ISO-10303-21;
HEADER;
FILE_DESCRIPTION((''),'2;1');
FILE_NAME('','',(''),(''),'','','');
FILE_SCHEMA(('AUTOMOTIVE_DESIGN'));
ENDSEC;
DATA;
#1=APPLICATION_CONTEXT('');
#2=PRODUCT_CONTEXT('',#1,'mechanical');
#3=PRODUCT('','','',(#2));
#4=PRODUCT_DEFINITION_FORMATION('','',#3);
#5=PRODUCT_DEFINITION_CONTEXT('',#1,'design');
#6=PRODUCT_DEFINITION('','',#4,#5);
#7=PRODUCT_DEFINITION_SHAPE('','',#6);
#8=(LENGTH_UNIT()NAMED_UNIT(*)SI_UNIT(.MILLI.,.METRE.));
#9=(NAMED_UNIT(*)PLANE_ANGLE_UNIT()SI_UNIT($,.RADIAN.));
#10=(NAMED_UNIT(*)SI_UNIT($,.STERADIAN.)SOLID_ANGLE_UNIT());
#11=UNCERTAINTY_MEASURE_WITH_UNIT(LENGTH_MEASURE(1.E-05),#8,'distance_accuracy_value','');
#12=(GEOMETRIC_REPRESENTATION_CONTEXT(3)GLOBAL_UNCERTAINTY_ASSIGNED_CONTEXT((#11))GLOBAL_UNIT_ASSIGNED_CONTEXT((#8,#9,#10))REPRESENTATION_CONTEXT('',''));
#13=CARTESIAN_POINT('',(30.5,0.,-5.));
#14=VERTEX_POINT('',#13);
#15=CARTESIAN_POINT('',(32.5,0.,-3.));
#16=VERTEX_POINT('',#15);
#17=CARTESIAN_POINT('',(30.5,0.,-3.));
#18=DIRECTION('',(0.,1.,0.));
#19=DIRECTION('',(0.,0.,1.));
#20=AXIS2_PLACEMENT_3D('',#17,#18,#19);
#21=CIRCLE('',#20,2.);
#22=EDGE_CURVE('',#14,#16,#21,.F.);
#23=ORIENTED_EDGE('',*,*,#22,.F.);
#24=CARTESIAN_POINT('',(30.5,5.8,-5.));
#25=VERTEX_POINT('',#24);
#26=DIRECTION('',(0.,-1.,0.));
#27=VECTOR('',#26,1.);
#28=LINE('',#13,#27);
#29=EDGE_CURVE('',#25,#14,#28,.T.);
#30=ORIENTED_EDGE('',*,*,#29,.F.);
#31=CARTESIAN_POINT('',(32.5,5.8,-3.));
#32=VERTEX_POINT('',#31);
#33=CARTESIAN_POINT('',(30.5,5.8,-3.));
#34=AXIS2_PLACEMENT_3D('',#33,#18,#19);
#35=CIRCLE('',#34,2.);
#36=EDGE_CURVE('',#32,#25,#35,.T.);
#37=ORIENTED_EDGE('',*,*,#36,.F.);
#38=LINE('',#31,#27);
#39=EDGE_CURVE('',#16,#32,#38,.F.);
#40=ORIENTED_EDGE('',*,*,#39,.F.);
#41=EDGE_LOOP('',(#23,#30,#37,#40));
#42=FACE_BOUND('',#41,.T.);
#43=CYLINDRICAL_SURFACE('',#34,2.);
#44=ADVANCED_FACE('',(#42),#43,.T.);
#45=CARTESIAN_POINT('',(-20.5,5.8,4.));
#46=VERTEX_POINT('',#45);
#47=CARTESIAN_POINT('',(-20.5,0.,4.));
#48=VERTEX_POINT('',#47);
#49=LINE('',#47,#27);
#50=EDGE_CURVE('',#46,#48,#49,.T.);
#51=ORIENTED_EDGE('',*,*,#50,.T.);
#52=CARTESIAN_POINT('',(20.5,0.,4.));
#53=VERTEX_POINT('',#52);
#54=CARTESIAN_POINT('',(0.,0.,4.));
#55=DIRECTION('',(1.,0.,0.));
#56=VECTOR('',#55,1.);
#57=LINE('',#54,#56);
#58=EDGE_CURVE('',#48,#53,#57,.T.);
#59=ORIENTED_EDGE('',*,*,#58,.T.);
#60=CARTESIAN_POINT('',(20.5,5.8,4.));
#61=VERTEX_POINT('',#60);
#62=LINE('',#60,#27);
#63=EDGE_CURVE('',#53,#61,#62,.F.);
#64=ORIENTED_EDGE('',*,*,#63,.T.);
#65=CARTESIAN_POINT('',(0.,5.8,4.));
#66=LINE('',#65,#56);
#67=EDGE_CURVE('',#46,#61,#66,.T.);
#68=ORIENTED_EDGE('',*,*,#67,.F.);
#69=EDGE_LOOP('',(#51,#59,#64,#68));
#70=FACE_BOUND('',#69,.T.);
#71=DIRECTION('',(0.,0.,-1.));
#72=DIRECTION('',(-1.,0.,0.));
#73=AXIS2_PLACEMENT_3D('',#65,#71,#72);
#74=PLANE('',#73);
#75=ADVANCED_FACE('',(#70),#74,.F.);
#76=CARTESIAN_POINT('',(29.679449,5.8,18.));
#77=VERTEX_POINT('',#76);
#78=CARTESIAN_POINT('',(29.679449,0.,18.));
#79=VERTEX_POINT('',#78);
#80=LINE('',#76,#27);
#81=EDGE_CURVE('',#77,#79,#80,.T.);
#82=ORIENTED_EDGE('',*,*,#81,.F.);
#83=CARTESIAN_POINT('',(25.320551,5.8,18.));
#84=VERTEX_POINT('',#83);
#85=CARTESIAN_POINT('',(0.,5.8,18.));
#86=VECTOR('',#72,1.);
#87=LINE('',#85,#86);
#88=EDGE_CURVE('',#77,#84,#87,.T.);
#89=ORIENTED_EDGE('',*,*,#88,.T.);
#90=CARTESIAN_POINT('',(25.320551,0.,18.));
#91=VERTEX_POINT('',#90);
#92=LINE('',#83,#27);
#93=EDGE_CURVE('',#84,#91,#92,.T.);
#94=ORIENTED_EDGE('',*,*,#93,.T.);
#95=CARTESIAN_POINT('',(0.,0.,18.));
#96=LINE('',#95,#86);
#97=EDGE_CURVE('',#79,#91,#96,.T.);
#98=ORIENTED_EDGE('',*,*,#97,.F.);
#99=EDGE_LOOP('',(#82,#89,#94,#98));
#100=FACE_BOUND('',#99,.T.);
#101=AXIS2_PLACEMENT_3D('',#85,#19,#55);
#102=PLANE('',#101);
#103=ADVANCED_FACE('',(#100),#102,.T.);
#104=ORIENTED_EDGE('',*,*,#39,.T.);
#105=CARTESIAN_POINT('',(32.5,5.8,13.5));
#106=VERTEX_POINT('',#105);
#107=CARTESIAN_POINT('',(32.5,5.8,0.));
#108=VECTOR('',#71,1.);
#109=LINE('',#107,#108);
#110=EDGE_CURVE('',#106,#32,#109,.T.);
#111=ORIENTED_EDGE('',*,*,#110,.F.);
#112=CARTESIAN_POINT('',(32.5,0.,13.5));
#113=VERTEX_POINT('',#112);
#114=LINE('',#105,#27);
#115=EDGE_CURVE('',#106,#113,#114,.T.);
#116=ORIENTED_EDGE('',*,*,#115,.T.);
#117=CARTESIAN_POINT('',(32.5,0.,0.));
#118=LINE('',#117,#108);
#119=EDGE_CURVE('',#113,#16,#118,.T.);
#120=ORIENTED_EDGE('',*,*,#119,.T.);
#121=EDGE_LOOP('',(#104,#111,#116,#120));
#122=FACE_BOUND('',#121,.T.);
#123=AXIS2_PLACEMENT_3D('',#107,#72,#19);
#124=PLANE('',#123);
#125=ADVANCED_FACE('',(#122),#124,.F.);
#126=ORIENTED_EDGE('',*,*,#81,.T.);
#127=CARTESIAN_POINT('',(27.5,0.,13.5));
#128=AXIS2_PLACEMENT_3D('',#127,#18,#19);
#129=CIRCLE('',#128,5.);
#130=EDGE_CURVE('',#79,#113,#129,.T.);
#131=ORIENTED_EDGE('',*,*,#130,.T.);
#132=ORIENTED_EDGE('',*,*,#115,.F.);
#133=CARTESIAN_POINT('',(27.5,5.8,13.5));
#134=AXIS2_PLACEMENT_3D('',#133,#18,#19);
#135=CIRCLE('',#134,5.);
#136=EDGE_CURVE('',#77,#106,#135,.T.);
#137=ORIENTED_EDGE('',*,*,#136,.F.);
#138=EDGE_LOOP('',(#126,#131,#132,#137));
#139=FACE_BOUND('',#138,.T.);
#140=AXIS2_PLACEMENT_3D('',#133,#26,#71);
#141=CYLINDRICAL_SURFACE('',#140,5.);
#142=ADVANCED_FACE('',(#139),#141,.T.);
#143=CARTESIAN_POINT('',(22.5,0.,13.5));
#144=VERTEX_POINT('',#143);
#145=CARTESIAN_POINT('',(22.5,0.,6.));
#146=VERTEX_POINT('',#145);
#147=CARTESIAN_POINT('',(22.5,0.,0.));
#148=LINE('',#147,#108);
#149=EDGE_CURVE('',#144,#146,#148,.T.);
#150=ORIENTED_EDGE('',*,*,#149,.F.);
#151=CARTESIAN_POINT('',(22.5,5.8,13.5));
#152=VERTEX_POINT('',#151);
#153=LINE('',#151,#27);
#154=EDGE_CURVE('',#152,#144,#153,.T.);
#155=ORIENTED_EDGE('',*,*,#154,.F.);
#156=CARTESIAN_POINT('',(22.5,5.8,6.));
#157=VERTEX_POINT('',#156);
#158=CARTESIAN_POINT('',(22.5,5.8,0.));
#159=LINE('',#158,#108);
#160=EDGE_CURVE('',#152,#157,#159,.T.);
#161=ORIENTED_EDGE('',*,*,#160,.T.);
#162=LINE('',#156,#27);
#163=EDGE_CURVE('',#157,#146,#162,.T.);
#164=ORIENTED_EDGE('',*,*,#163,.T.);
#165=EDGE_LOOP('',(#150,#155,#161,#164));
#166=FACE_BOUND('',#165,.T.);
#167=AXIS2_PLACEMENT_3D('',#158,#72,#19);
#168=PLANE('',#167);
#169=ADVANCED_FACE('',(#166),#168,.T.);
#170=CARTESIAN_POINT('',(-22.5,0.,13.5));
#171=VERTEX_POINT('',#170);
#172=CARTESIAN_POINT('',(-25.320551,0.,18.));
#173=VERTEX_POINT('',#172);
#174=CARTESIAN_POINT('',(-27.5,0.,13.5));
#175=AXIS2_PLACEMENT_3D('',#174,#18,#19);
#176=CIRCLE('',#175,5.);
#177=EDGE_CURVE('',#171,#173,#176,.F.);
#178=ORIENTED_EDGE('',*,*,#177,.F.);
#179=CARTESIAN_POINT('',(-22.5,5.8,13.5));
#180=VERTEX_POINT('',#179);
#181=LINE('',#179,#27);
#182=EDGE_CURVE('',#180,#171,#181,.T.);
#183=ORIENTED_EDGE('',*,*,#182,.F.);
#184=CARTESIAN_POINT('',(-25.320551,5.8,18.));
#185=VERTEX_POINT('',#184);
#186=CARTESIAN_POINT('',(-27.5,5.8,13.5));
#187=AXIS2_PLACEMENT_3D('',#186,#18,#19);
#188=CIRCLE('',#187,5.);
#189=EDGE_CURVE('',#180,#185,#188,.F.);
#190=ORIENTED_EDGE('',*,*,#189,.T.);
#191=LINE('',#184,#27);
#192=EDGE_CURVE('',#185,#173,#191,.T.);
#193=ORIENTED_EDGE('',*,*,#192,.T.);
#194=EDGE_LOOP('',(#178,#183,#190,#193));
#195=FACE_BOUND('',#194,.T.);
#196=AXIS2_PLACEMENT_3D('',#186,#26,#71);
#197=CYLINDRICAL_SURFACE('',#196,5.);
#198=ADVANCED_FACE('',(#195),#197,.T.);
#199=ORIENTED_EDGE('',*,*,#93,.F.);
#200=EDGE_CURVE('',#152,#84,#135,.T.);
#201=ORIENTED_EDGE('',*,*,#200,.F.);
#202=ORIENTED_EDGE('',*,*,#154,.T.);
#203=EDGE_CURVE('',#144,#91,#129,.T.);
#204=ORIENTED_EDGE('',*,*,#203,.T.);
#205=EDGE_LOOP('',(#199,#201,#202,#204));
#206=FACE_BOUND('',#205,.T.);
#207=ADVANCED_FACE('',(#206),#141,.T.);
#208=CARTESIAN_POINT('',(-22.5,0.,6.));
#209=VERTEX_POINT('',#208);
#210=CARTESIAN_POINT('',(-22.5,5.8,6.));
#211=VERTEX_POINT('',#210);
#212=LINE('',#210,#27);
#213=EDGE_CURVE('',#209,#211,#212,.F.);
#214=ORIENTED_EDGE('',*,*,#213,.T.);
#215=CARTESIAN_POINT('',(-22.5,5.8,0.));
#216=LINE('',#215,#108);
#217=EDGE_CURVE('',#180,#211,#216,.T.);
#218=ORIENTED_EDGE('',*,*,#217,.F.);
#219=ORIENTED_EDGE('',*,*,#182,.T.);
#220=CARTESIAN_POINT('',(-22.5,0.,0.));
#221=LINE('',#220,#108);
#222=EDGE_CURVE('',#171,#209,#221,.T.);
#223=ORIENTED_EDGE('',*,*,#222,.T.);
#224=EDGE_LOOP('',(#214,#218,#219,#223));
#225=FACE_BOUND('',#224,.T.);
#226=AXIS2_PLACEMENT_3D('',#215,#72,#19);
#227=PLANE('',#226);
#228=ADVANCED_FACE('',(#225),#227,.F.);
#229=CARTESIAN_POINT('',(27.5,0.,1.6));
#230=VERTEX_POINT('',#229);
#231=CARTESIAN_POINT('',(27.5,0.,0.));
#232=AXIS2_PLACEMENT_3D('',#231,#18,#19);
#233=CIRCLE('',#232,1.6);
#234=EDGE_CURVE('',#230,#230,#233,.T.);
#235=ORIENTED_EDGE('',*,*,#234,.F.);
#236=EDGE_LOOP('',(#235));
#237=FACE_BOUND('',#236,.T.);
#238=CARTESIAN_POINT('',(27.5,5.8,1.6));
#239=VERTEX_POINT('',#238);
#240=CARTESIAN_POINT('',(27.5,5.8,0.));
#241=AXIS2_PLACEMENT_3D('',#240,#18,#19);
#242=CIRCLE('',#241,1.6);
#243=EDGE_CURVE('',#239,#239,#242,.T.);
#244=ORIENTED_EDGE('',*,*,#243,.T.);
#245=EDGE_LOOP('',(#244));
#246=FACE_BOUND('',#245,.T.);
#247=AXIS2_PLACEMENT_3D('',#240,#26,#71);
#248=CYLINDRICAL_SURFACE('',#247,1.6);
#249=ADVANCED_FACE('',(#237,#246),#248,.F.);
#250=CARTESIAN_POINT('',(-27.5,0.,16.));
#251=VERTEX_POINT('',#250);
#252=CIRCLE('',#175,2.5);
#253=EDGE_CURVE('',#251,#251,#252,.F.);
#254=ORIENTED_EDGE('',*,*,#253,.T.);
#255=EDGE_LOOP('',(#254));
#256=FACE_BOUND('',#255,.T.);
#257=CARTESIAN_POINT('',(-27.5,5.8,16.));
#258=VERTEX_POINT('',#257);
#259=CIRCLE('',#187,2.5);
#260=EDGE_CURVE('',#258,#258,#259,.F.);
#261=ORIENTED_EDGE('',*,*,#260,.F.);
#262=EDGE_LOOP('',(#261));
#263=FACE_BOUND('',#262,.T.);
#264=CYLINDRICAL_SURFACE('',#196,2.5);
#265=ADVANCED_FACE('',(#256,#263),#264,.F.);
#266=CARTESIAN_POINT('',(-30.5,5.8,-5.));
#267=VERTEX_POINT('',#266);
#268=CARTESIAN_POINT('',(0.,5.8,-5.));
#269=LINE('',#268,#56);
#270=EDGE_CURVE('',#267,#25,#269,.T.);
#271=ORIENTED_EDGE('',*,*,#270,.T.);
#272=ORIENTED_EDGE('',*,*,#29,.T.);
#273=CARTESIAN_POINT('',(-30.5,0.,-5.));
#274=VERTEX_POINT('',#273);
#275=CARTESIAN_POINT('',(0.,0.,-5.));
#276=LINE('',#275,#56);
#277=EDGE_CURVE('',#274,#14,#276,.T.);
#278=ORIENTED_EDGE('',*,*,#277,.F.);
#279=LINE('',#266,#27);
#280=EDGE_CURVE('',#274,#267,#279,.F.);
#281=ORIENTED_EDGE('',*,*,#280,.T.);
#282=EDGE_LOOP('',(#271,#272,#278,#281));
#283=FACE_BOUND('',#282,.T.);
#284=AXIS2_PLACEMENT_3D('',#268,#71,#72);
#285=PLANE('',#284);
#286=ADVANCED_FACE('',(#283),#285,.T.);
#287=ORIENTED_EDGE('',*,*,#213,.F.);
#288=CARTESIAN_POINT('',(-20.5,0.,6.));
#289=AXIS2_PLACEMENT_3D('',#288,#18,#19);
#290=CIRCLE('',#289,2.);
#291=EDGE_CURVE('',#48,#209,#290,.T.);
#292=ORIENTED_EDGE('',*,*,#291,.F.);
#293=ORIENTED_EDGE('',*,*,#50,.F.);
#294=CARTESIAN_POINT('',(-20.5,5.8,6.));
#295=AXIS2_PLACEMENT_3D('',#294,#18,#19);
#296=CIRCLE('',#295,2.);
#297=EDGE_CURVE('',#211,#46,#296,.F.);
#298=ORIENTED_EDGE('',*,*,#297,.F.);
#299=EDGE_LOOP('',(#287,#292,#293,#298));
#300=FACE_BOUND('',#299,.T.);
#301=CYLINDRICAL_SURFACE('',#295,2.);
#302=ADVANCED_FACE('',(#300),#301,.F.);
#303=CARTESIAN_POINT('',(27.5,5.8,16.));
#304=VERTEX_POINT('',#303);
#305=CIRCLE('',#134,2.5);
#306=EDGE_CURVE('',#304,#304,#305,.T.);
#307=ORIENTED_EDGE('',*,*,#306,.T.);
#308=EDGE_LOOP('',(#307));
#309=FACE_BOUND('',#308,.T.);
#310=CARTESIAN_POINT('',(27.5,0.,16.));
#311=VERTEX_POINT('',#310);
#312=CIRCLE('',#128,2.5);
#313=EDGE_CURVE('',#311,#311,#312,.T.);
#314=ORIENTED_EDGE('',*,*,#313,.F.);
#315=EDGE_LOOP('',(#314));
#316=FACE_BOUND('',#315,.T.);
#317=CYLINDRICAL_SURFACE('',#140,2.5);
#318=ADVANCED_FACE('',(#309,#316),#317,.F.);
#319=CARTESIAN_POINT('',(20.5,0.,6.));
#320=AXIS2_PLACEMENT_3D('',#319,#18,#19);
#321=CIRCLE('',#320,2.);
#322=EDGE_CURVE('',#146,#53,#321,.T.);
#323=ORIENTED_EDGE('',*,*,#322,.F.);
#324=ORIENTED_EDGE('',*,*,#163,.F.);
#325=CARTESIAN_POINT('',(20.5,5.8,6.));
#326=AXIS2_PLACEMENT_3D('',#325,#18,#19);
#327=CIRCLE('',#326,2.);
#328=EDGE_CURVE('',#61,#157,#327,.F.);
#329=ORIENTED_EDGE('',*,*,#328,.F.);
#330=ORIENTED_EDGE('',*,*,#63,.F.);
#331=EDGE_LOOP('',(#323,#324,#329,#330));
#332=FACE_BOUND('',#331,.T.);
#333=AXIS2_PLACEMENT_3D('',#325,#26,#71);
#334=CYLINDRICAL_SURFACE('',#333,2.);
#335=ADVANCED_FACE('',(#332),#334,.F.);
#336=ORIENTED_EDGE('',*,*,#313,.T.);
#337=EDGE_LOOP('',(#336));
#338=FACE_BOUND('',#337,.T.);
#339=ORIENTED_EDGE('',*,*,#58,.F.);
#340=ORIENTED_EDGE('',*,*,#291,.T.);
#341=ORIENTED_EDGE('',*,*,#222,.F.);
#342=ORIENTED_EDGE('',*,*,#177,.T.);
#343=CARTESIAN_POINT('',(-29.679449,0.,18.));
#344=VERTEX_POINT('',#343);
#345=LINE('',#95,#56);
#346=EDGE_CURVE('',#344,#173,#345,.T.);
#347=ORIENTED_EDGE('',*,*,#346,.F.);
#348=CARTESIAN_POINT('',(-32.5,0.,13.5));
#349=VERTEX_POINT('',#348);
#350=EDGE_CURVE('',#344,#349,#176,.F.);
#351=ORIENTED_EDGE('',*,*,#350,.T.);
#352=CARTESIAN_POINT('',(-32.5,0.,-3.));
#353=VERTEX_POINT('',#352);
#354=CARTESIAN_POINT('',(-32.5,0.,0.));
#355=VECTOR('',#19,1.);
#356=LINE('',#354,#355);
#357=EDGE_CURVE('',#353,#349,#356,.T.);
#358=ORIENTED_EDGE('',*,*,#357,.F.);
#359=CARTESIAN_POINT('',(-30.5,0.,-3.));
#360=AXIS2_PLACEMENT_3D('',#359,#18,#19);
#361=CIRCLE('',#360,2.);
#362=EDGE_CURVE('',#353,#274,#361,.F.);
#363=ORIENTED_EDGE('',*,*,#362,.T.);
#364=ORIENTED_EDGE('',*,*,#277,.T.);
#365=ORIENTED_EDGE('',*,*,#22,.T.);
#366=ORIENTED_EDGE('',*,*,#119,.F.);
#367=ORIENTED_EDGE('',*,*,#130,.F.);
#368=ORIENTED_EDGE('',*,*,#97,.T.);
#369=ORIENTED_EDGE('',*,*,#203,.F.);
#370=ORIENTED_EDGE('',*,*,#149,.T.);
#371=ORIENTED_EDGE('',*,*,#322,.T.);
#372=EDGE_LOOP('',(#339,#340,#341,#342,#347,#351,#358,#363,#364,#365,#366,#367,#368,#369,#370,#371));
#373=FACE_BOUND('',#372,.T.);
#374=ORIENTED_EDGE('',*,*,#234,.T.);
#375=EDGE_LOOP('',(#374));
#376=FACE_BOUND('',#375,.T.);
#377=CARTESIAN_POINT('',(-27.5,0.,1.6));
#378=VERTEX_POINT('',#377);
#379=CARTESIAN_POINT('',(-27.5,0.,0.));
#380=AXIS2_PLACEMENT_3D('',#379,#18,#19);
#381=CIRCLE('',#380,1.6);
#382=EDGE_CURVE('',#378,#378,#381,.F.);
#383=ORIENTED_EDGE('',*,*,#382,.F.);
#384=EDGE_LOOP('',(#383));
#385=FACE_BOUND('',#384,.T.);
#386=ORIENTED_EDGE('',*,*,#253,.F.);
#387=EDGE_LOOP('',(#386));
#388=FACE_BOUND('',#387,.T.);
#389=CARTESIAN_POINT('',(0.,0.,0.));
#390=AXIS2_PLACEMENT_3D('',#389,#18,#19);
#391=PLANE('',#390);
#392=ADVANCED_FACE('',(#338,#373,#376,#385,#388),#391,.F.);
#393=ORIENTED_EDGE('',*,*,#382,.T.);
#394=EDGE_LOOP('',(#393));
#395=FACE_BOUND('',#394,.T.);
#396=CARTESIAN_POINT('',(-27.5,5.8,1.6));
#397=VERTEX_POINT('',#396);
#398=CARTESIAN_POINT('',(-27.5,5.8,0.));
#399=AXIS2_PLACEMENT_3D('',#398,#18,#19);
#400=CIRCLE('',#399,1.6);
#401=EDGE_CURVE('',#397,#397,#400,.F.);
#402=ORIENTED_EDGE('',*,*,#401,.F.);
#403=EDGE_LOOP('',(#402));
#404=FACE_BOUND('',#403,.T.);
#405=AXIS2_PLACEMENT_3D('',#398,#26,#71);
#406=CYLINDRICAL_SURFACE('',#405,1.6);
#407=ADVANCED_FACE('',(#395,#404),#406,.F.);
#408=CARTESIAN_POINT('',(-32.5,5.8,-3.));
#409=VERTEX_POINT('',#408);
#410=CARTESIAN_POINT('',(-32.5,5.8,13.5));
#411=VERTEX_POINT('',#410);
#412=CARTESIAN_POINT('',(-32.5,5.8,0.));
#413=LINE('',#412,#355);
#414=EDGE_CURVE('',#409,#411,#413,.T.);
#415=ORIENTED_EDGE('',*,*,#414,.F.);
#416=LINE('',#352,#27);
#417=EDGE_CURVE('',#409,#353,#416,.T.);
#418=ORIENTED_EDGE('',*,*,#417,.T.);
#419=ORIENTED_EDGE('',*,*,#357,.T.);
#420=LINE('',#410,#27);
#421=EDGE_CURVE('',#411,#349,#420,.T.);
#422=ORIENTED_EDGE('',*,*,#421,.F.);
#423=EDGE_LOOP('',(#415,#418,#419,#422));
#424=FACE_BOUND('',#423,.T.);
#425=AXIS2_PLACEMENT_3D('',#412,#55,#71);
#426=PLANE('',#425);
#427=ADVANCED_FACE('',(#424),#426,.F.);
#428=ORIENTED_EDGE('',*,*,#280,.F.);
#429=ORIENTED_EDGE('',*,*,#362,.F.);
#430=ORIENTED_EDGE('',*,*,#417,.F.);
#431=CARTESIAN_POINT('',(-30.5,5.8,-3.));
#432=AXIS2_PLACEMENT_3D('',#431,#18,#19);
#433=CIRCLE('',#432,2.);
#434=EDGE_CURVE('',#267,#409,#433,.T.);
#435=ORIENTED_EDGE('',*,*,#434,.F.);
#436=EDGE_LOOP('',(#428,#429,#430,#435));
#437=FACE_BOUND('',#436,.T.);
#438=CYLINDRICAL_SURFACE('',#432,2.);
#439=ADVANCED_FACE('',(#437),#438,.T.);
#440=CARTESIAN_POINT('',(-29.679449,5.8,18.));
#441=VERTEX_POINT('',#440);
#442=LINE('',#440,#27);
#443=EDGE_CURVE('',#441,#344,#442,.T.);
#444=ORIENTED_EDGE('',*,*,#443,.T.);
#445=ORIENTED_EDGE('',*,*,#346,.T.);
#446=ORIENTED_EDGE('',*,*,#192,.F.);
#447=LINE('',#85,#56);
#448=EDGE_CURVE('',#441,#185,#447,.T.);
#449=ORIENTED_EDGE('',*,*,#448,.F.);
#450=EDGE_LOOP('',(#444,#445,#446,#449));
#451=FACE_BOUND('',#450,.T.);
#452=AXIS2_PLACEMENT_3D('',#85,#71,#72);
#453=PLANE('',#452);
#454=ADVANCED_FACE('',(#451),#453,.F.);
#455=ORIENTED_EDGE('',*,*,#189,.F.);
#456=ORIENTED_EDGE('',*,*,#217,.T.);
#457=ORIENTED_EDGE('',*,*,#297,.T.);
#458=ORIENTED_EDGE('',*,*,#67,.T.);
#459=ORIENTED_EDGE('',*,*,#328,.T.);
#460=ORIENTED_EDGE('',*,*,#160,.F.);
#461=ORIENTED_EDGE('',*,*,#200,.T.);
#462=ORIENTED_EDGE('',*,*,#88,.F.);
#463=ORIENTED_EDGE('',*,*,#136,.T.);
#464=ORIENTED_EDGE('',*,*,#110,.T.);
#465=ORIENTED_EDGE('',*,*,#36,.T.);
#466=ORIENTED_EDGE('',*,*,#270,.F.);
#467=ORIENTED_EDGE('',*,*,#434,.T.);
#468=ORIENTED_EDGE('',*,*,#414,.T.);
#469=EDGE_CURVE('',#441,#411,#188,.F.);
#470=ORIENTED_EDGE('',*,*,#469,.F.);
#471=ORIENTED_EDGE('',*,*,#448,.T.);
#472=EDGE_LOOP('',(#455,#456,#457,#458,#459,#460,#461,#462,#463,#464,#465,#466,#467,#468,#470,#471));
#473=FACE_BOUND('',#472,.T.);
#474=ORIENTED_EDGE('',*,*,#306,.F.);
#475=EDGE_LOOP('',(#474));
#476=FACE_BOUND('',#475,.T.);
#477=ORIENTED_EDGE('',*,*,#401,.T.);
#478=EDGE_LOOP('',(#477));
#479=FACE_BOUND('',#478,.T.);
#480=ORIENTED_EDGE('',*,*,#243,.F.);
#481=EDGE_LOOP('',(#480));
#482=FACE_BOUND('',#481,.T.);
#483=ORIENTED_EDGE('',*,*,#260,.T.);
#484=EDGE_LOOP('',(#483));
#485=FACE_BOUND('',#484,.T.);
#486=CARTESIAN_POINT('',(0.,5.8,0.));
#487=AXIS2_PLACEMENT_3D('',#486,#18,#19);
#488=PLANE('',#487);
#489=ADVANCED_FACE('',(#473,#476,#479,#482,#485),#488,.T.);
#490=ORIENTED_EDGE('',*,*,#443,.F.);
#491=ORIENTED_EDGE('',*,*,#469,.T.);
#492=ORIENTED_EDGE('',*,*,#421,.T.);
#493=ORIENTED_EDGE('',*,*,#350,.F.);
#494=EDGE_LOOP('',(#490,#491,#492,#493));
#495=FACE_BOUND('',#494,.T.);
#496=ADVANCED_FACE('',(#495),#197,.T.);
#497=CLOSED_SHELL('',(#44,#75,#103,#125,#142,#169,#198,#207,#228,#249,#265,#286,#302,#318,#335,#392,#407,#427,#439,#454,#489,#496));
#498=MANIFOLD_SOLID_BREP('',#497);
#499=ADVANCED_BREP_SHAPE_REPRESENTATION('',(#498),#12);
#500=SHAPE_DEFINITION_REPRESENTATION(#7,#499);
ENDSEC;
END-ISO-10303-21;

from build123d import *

# Parameters (mm, degrees)
SKETCH_1_R      = 2.5
SKETCH_1_R_2    = 1.6
EXTRUDE_1_DEPTH = 5.8
FILLET_1_R      = 2


with BuildPart() as part:
    # ｽｹｯﾁ1 → ﾎﾞｽ - 押し出し1 (new body)
    with BuildSketch(Plane(origin=(0, 0, 0), x_dir=(1, 0, 0), z_dir=(0, 1, 0))):
        with BuildLine():
            ThreePointArc((29.679449472, -18), (31.736581603, -16.155442773), (32.5, -13.5))
            Line((32.5, -13.5), (32.5, -5))
            Line((32.5, -5), (32.5, 5))
            Line((32.5, 5), (-32.5, 5))
            Line((-32.5, 5), (-32.5, -5))
            Line((-32.5, -5), (-32.5, -13.5))
            ThreePointArc((-32.5, -13.5), (-31.736581603, -16.155442773), (-29.679449472, -18))
            Line((-29.679449472, -18), (-25.320550528, -18))
            ThreePointArc((-25.320550528, -18), (-23.263418397, -16.155442773), (-22.5, -13.5))
            Line((-22.5, -13.5), (-22.5, -4))
            Line((-22.5, -4), (22.5, -4))
            Line((22.5, -4), (22.5, -13.5))
            ThreePointArc((22.5, -13.5), (23.263418397, -16.155442773), (25.320550528, -18))
            Line((25.320550528, -18), (29.679449472, -18))
        make_face()
        with Locations(Location((-27.5, -13.5, 0), (0, 0, 270))):
            Circle(SKETCH_1_R, mode=Mode.SUBTRACT)
        with Locations(Location((27.5, -13.5, 0), (0, 0, 270))):
            Circle(SKETCH_1_R, mode=Mode.SUBTRACT)
        with Locations(Location((-27.5, 0, 0), (0, 0, 270))):
            Circle(SKETCH_1_R_2, mode=Mode.SUBTRACT)
        with Locations(Location((27.5, 0, 0), (0, 0, 270))):
            Circle(SKETCH_1_R_2, mode=Mode.SUBTRACT)
    extrude(amount=EXTRUDE_1_DEPTH)

    # ﾌｨﾚｯﾄ1
    fillet_1_edges = [part.edges().sort_by_distance(p)[0] for p in [
        (-32.5, 2.9, -5),
        (32.5, 2.9, -5),
        (22.5, 2.9, 4),
        (-22.5, 2.9, 4),
    ]]
    fillet(fillet_1_edges, radius=FILLET_1_R)


solid = part.part
